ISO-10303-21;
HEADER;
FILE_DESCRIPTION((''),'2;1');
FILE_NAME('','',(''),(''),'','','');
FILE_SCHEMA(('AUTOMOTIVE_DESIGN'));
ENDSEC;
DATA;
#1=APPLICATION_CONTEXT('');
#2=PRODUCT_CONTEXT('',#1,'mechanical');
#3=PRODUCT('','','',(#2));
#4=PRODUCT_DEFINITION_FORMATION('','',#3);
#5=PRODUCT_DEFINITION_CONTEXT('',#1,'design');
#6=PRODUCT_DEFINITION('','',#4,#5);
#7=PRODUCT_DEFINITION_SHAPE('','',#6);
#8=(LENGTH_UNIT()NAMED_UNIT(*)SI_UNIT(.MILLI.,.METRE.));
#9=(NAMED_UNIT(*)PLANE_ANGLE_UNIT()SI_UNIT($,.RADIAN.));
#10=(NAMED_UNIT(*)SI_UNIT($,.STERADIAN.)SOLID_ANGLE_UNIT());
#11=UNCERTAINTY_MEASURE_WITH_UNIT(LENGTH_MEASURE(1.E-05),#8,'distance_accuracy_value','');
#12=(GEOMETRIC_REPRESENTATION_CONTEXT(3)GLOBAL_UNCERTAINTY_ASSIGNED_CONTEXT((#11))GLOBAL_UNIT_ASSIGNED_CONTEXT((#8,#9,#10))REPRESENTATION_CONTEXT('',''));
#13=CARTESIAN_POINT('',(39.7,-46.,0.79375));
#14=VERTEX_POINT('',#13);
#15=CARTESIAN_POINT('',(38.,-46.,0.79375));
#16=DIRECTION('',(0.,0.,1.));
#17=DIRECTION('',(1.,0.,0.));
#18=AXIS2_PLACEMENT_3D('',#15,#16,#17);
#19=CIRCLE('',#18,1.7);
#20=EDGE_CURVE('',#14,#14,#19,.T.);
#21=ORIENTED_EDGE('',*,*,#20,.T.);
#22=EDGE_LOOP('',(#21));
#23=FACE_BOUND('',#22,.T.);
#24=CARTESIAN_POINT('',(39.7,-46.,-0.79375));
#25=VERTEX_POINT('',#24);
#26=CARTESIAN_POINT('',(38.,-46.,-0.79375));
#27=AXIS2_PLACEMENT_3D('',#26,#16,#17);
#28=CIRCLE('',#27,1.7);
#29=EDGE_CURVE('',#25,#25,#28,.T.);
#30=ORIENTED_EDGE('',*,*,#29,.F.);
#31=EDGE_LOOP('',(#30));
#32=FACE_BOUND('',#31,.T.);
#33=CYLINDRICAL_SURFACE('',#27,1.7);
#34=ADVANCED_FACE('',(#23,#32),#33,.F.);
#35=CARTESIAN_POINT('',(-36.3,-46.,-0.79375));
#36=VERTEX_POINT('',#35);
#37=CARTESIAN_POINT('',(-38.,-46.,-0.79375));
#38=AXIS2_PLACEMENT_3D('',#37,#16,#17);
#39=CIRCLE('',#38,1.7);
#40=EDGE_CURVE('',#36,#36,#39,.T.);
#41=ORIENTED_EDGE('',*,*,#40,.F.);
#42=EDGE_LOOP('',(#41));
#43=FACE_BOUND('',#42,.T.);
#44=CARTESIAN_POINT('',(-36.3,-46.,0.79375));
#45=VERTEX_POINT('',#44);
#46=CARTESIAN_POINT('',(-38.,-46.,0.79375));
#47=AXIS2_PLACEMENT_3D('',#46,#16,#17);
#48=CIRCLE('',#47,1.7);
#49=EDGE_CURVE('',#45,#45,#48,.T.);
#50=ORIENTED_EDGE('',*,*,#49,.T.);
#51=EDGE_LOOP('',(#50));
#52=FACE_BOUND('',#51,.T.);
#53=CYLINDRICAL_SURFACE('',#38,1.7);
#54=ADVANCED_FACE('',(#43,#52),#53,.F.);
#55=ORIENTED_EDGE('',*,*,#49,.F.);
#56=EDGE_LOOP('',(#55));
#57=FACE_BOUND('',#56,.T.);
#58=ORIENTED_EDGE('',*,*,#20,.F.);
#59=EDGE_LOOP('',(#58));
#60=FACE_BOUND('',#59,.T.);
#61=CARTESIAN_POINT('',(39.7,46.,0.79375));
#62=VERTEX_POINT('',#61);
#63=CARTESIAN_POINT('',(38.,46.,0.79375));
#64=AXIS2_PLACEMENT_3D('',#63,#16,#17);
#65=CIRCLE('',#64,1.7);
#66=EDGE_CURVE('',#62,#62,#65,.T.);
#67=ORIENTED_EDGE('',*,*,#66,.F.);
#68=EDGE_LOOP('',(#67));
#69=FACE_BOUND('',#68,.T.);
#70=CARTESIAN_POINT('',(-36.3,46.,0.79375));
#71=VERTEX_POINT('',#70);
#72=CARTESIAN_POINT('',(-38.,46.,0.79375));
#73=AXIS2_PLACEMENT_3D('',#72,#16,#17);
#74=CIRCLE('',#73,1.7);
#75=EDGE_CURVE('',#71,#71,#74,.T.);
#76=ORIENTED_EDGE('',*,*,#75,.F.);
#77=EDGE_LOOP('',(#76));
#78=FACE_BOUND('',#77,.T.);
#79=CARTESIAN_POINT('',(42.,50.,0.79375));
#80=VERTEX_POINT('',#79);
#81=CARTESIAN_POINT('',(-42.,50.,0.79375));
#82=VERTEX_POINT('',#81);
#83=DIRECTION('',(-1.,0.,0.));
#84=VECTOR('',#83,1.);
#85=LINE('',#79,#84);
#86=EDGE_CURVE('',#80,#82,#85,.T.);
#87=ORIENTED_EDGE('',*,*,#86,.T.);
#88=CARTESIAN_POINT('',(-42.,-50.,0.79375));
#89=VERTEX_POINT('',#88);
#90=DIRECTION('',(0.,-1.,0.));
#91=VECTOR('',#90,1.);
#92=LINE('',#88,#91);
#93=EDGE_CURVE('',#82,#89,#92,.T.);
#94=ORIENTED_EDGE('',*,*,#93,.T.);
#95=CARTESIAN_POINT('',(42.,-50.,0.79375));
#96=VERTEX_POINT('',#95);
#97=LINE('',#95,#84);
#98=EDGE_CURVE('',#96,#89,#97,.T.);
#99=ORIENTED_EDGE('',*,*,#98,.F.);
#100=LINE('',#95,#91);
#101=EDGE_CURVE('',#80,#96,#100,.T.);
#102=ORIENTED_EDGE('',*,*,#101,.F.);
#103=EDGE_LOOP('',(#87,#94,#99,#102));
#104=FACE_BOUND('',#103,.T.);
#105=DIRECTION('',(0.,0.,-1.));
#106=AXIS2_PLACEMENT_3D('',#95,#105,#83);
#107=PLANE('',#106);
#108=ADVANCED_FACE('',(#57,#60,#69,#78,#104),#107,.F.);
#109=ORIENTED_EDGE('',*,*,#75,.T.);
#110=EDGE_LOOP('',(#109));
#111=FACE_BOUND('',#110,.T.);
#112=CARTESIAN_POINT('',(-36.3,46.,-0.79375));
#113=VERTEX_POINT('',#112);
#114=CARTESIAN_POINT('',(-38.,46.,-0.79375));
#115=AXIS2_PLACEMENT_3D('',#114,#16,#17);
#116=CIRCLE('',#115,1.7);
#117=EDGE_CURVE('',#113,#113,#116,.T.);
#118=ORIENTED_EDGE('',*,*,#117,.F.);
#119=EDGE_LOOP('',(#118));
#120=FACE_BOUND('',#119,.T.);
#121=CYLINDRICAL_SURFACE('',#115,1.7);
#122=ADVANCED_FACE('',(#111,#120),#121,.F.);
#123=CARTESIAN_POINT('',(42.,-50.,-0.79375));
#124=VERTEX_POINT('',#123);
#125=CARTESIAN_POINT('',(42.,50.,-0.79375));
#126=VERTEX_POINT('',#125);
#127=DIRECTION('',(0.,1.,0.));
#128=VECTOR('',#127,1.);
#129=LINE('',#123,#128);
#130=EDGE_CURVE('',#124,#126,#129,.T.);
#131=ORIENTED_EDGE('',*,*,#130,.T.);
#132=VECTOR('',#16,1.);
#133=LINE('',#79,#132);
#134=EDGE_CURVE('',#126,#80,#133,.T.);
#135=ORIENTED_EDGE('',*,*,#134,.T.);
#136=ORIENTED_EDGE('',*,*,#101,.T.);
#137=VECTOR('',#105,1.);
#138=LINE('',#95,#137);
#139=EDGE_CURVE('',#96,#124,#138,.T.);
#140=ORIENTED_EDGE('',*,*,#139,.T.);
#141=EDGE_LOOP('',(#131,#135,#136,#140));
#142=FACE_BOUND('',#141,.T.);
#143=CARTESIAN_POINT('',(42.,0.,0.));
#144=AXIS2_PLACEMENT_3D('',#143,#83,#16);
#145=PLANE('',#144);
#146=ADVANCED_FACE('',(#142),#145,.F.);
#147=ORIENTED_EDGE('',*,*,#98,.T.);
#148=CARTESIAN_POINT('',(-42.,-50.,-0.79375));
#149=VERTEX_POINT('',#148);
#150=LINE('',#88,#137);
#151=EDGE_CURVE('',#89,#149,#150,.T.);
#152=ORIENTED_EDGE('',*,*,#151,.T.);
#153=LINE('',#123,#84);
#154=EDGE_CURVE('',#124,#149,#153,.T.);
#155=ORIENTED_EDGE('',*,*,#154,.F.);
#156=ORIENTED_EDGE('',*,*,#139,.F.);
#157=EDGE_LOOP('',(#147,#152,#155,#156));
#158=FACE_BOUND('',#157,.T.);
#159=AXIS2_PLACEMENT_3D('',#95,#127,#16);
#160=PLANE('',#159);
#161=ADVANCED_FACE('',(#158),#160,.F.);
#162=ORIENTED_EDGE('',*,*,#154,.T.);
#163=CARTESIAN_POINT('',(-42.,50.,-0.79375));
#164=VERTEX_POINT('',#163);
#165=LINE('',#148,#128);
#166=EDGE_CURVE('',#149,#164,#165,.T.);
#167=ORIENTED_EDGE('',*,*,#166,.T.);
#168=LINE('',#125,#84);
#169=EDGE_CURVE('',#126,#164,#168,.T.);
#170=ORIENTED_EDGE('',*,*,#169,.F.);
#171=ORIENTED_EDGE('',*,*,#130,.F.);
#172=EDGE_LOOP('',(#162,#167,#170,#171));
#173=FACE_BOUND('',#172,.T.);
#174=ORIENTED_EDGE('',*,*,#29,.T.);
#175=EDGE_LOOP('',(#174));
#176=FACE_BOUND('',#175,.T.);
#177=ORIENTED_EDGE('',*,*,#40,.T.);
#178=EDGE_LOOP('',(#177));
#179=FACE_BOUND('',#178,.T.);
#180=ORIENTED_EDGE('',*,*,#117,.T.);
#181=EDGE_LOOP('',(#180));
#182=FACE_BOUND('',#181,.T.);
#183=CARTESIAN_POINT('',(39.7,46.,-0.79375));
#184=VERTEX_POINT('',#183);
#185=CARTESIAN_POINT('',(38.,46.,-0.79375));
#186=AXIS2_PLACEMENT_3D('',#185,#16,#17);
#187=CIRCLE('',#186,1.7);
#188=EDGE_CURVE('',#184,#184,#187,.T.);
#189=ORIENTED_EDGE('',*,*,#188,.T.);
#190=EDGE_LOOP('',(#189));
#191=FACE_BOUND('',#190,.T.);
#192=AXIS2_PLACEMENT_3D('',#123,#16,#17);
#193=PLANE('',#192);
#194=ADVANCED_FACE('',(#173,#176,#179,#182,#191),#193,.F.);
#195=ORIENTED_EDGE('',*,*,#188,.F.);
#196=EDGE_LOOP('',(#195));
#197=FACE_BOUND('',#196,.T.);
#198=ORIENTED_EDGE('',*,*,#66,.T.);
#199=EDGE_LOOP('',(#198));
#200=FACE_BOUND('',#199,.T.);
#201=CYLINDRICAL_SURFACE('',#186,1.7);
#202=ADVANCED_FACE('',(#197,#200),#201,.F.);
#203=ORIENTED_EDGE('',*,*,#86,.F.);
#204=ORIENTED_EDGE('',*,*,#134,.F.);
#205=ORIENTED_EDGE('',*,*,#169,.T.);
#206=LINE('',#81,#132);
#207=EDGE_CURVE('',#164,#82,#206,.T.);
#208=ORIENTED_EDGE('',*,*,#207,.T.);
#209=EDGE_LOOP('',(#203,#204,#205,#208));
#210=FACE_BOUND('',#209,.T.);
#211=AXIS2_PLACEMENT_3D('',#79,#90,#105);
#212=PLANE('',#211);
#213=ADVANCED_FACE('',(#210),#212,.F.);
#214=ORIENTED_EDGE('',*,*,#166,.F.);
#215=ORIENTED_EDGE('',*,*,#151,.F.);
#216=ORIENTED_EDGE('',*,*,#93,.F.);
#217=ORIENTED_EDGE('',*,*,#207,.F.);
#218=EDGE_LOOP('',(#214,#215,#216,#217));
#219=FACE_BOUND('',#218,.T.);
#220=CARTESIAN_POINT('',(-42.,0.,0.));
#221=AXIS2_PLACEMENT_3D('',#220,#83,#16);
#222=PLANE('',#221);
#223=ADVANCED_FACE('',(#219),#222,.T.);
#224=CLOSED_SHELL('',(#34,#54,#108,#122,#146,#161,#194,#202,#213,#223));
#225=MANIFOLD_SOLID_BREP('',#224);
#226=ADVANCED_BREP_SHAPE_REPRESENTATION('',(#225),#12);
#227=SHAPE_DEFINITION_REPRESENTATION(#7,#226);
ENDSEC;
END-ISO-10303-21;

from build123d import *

# Parameters (mm, degrees)
SKETCH1_W           = 1.5875
SKETCH1_H           = 99.999999898
BOSS_EXTRUDE1_DEPTH = 41.999999947
SKETCH2_R           = 1.700000029
CUT_EXTRUDE1_DEPTH  = 66.318604905


with BuildPart() as part:
    # Sketch1 → Boss-Extrude1 (new, symmetric)
    with BuildSketch(Plane(origin=(0, 0, 0), x_dir=(0, 0, -1), z_dir=(1, 0, 0))):
        Rectangle(SKETCH1_W, SKETCH1_H)
    extrude(amount=BOSS_EXTRUDE1_DEPTH, both=True)

    # Sketch2 → Cut-Extrude1 (cut, through all)
    with BuildSketch(Plane.XY.offset(0.79375)):
        with Locations((-37.999999819, 45.999999821)):
            Circle(SKETCH2_R)
        with Locations((37.999999819, 45.999999821)):
            Circle(SKETCH2_R)
        with Locations((37.999999819, -45.999999821)):
            Circle(SKETCH2_R)
        with Locations((-37.999999819, -45.999999821)):
            Circle(SKETCH2_R)
    extrude(amount=-CUT_EXTRUDE1_DEPTH, mode=Mode.SUBTRACT)


solid = part.part
